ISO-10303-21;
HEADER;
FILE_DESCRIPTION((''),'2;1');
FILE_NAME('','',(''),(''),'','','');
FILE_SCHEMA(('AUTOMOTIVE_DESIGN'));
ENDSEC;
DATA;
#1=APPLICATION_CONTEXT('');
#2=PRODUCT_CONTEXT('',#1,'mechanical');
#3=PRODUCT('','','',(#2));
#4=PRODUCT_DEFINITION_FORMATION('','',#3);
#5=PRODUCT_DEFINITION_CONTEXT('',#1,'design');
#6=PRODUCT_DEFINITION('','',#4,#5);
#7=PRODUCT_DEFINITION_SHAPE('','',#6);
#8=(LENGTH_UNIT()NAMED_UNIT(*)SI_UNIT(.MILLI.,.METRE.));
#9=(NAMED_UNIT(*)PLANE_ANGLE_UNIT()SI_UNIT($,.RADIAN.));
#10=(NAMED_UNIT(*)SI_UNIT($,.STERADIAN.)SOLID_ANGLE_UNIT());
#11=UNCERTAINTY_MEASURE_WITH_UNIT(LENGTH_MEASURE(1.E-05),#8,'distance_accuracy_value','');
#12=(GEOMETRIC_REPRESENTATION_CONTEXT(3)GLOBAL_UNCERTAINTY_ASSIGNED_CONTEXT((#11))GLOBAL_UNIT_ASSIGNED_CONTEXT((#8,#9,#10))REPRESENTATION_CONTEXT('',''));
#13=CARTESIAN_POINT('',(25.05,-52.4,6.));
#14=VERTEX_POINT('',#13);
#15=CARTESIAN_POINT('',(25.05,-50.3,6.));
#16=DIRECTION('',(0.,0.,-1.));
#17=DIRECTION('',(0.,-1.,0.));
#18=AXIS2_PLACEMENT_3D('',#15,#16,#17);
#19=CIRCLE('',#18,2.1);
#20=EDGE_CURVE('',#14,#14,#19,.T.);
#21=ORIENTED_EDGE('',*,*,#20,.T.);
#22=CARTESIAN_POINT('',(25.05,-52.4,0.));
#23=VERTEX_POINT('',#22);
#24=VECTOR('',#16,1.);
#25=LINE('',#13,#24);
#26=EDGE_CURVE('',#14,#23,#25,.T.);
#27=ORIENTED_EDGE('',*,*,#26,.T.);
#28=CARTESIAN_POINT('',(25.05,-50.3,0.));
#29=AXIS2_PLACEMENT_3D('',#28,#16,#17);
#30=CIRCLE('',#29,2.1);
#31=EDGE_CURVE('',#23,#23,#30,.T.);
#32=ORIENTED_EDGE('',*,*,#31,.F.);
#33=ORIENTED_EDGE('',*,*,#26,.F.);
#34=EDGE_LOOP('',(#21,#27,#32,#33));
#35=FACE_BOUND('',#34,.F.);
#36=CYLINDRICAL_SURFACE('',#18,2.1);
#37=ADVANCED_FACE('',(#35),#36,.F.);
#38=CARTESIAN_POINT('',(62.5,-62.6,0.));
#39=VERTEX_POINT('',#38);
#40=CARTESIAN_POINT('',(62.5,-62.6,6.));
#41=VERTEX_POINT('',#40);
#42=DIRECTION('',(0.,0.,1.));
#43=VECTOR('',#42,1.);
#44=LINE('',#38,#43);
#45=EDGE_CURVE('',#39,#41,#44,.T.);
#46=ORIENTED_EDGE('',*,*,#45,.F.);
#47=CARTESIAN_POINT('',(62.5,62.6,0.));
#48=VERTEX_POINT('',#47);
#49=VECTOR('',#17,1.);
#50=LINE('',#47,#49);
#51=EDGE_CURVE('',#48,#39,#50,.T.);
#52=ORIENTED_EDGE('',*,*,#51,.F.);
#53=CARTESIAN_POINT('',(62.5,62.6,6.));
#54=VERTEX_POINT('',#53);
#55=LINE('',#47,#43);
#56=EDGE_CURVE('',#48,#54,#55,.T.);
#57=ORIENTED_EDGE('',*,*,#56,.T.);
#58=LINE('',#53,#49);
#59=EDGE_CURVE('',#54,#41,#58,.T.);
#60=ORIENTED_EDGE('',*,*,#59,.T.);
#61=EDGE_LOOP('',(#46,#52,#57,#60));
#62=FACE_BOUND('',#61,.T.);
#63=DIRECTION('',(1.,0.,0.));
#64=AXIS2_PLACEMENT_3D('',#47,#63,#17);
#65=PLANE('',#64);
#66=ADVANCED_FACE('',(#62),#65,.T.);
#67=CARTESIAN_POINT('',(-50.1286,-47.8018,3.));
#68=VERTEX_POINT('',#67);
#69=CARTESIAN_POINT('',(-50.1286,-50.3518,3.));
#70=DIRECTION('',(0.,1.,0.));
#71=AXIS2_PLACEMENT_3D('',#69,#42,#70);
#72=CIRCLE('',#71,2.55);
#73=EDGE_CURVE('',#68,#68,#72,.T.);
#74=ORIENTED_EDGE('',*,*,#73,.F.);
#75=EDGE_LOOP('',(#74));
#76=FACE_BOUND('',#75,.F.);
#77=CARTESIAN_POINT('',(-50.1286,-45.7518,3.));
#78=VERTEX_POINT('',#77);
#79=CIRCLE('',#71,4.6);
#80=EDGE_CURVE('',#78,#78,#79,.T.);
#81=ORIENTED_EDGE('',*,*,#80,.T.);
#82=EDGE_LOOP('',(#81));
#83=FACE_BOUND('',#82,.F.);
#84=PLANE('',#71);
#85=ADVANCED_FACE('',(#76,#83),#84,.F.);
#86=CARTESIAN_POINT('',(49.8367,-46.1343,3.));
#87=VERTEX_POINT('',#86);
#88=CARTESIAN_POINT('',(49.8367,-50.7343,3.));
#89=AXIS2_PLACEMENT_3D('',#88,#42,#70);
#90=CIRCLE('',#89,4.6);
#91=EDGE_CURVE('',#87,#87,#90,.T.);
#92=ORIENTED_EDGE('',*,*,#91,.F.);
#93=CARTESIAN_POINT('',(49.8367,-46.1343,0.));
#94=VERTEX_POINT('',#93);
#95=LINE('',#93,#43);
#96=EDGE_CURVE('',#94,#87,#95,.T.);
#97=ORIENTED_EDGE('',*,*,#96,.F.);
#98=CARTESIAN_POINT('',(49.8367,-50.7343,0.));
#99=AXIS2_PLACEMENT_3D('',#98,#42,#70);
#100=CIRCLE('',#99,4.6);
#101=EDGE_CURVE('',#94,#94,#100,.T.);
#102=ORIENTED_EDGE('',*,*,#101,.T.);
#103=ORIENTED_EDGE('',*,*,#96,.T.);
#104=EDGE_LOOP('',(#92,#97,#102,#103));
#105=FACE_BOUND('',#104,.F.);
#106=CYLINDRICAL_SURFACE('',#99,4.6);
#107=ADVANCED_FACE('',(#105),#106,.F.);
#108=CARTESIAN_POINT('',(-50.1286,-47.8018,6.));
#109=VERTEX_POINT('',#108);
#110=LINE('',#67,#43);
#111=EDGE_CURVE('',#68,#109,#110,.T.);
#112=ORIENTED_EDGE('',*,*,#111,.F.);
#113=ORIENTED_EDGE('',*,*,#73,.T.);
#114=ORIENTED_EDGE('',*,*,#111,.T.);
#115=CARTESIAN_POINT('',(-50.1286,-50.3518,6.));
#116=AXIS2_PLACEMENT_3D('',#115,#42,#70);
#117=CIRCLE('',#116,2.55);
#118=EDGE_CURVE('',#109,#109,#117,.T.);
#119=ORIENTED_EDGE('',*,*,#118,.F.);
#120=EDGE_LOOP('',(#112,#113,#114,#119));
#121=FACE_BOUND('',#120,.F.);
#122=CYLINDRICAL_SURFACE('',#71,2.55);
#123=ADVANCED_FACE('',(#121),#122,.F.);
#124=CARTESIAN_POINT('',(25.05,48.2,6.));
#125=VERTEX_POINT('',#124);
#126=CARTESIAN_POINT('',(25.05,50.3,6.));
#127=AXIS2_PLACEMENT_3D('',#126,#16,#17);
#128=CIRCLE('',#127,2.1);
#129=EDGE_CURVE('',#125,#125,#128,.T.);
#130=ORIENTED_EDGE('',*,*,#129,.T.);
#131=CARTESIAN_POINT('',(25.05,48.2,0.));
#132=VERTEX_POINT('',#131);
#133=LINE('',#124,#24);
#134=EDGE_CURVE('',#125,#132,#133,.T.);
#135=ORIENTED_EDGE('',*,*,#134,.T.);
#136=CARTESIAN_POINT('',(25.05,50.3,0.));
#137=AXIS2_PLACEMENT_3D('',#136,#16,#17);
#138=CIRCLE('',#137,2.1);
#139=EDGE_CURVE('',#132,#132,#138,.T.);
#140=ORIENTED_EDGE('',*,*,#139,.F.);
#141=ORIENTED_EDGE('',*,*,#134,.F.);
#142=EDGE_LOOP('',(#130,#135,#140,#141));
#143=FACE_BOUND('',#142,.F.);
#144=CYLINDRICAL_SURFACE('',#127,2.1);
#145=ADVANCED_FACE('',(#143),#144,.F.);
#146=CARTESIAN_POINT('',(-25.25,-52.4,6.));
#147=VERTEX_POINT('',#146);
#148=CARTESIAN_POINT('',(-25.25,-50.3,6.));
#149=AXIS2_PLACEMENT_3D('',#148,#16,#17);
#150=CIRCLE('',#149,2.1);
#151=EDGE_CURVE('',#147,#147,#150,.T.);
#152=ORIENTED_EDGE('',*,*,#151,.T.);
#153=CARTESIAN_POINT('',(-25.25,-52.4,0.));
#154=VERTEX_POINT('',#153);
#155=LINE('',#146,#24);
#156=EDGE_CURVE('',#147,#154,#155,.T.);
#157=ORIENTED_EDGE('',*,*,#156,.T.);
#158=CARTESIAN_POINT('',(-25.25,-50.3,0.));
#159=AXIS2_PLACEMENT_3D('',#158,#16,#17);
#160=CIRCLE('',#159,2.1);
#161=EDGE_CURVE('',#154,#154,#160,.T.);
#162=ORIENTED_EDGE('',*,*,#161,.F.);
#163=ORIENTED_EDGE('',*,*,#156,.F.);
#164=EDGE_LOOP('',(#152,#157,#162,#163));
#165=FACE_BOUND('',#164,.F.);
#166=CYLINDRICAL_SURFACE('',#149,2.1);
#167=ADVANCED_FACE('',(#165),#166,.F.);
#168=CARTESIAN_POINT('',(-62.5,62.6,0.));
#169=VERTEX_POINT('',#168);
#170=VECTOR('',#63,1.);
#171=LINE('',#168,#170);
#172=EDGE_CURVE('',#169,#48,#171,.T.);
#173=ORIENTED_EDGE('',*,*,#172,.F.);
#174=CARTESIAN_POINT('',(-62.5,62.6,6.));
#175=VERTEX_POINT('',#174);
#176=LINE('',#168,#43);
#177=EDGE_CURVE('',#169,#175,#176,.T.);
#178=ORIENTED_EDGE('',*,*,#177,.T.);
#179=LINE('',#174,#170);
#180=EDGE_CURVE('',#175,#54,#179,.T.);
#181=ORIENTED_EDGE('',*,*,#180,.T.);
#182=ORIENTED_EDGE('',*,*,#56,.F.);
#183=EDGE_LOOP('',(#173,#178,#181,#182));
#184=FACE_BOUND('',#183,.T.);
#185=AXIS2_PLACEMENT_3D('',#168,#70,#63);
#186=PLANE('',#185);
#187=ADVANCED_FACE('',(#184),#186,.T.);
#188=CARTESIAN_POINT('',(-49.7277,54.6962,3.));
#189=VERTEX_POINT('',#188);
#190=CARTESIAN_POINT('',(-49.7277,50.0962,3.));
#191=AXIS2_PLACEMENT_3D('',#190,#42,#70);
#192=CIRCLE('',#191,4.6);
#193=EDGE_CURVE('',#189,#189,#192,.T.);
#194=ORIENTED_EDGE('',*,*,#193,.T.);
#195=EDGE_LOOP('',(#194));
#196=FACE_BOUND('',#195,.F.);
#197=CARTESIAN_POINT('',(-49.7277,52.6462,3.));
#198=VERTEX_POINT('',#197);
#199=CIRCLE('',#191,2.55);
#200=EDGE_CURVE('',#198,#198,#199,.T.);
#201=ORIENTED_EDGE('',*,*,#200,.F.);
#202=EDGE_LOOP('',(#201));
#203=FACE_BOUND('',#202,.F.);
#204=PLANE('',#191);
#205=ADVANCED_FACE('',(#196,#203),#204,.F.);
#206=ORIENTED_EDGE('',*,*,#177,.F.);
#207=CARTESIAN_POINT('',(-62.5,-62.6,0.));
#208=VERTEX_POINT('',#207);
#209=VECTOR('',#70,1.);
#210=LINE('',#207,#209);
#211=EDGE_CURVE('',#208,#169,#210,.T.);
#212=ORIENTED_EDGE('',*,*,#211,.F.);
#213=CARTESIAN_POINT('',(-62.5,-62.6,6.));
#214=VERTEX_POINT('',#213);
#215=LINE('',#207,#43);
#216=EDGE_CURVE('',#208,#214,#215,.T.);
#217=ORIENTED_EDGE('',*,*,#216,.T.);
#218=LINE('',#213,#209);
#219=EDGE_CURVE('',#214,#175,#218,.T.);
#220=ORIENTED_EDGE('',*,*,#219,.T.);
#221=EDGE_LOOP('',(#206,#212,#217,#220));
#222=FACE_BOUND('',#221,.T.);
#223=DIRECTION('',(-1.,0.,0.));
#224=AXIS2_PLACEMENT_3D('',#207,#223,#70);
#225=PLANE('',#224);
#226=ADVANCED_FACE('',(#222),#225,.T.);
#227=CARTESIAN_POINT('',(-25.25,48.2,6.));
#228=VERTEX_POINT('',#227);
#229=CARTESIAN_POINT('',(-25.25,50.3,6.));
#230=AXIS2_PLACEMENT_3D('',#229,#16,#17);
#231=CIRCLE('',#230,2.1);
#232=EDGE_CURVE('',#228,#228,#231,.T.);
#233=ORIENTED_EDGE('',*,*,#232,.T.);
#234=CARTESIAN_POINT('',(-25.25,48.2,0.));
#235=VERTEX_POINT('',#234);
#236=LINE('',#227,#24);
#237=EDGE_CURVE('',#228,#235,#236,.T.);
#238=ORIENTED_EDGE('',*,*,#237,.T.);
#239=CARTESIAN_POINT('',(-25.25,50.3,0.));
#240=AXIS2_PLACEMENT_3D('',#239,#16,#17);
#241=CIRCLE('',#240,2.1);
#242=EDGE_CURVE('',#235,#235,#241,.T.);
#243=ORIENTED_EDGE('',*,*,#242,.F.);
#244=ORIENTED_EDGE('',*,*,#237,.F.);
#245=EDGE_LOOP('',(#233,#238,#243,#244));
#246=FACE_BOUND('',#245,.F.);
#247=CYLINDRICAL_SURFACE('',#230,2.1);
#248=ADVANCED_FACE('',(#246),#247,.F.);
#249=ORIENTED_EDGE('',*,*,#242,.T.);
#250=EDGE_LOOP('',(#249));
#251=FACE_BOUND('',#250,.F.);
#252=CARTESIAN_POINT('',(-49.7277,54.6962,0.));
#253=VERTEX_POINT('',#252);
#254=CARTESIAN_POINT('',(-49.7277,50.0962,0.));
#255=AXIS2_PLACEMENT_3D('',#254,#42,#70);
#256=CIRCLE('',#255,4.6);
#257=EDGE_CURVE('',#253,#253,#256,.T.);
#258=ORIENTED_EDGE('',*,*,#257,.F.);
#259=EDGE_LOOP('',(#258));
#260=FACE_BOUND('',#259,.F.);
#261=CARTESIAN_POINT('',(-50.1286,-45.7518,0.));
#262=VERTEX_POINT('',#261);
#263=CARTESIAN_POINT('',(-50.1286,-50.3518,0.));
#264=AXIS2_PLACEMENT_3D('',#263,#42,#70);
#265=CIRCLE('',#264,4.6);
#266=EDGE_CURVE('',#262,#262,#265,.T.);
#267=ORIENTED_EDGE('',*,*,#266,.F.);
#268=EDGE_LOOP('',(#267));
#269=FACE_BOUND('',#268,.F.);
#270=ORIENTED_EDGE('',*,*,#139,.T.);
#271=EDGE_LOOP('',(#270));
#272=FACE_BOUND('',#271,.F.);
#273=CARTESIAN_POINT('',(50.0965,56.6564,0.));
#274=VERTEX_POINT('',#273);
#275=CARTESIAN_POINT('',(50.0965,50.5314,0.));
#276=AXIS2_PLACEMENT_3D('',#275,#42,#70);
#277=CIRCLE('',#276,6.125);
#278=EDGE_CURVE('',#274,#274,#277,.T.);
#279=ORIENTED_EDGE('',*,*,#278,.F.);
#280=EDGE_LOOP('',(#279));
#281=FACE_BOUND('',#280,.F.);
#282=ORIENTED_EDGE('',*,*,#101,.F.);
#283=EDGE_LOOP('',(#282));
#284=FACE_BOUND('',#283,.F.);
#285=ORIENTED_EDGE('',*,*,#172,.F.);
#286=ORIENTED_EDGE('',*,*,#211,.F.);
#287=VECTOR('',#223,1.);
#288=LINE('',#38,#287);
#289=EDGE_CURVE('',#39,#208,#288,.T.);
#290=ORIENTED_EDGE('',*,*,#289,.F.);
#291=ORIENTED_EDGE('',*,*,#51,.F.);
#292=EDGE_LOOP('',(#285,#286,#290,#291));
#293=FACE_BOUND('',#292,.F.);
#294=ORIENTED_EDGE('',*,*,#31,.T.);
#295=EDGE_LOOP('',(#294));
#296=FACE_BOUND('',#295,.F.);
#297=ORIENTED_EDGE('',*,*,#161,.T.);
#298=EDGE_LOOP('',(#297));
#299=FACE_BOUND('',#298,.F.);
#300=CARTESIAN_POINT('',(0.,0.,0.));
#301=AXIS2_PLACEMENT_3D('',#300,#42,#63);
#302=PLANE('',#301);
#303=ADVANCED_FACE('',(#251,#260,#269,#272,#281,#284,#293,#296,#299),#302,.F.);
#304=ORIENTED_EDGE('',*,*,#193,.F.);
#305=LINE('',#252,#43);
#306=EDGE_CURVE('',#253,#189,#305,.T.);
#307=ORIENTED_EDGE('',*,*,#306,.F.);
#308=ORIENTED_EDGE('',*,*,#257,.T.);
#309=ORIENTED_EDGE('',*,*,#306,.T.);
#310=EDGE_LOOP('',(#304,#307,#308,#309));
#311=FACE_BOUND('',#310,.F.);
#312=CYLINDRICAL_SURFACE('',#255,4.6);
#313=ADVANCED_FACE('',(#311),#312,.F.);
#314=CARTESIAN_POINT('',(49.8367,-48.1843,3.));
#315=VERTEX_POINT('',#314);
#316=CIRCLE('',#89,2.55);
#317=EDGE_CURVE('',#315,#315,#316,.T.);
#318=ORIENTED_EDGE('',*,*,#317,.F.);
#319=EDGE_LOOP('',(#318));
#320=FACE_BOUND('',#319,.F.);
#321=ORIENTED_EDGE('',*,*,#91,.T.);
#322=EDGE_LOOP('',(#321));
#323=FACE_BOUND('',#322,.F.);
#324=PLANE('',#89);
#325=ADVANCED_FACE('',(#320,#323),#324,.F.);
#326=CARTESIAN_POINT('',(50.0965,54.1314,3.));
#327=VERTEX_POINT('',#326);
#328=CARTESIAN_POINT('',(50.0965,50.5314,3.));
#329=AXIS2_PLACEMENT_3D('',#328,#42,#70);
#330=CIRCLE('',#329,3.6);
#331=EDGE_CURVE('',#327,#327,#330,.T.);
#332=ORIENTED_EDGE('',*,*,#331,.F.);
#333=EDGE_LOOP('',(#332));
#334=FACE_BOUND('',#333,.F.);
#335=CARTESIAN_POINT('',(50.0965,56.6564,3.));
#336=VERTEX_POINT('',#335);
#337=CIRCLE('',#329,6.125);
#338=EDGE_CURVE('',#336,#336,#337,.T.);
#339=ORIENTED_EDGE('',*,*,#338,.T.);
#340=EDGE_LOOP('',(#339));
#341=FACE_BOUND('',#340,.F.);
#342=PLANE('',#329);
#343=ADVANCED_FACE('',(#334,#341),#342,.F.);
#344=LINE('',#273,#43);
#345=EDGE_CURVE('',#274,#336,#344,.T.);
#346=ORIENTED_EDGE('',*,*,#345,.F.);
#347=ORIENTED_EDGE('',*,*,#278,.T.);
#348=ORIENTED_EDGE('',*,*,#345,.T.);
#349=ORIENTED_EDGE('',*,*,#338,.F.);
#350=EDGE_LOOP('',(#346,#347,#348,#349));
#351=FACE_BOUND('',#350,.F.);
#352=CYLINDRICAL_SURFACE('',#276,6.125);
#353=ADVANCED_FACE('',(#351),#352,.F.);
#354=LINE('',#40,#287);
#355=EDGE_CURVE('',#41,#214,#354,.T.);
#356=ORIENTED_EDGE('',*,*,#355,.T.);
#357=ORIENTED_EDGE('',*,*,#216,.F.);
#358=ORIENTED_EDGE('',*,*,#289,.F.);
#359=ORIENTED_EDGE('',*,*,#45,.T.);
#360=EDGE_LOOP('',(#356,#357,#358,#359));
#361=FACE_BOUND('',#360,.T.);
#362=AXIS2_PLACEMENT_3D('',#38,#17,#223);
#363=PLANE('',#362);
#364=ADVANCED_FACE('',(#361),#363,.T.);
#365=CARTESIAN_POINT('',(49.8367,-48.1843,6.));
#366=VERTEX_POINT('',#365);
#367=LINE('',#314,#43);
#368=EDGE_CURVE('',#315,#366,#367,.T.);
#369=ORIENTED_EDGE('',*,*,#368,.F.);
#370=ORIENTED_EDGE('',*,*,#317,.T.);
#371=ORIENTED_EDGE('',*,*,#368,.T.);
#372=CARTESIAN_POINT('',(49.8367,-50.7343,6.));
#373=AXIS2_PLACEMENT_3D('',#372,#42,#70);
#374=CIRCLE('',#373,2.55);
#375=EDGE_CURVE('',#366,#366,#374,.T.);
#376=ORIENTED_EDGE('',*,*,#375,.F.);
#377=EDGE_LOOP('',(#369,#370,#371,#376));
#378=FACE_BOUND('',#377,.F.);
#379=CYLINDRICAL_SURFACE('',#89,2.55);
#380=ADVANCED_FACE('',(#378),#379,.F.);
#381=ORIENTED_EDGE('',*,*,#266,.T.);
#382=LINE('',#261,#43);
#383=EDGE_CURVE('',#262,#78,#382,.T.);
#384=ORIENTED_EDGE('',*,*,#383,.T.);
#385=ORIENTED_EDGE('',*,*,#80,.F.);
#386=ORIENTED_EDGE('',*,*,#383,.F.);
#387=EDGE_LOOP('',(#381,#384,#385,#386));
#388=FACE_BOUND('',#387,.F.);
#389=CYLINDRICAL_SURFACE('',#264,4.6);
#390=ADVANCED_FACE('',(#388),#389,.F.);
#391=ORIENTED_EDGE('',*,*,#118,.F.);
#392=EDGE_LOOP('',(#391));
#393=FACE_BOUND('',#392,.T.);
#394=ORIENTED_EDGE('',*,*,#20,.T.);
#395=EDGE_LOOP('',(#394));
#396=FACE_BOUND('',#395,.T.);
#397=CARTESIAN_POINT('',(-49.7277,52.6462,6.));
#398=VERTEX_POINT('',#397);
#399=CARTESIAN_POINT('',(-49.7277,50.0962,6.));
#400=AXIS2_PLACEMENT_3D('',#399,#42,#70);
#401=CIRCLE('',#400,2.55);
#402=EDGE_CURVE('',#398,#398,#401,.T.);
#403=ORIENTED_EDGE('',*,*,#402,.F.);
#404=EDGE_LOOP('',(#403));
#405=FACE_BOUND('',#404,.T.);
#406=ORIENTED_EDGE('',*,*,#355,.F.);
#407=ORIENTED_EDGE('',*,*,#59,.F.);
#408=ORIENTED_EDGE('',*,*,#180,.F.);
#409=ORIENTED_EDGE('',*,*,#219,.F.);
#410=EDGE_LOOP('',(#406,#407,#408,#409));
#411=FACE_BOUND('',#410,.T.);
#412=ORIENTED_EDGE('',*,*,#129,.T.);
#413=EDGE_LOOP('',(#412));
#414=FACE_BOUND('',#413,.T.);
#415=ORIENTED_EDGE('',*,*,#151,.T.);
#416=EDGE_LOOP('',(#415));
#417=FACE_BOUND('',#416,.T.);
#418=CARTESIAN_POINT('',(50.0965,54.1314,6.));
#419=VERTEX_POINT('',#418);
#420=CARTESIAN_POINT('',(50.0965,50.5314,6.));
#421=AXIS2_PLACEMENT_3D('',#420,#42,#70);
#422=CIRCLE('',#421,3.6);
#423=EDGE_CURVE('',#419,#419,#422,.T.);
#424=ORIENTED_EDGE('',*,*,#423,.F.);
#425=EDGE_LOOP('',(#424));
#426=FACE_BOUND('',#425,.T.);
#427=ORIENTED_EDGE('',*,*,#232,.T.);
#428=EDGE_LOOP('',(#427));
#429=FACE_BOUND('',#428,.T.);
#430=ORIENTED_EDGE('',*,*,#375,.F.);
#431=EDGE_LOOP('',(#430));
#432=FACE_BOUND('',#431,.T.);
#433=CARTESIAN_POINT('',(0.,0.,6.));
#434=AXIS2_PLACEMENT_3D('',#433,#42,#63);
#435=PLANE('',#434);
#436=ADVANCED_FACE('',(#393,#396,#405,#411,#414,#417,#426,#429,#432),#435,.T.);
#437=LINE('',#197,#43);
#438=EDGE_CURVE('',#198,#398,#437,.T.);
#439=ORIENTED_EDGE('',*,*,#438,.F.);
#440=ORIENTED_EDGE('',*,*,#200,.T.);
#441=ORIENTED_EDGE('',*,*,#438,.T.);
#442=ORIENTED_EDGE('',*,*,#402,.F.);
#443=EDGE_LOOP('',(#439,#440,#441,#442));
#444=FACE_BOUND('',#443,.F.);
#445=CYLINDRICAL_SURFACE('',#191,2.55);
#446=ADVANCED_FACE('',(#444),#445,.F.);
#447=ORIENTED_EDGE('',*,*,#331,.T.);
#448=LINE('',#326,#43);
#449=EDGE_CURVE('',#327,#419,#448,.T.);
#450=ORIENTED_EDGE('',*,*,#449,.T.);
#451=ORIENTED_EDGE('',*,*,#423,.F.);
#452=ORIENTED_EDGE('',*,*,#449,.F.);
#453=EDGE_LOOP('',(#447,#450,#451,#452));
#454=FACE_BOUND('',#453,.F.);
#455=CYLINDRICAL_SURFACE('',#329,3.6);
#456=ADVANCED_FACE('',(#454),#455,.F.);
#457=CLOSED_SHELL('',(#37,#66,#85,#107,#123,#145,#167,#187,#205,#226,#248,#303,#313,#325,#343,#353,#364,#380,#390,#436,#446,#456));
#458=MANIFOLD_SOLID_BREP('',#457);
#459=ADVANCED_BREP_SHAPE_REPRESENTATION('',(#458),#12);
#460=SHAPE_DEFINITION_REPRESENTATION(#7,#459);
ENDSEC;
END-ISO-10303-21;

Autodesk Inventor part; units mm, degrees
ref_plane "YZ Plane" through (0, 0, 0) normal (1, 0, 0) x (0, 1, 0)
ref_plane "XZ Plane" through (0, 0, 0) normal (0, 1, 0) x (-1, 0, 0)
ref_plane "XY Plane" through (0, 0, 0) normal (0, 0, 1) x (1, 0, 0)
ref_plane "Work Plane1" through (0, 0, 0) normal (0, 0, 1) x (1, 0, 0)
sketch "Sketch3" plane through (0, 0, 0) normal (0, 0, 1) x (1, 0, 0)
  line L0 (62.5, 62.6) -> (62.5, -62.6) projected
  line L1 (62.5, -62.6) -> (-62.5, -62.6) projected
  line L2 (62.5, 62.6) -> (62.5, -62.6) projected
  line L3 (-62.5, 62.6) -> (62.5, 62.6) projected
  line L4 (-62.5, -62.6) -> (-62.5, 62.6) projected
  line L5 (62.5, -62.6) -> (-62.5, -62.6) projected
  point P0 (0, 0)
  point P1 (50.2, -50.3)
  point P2 (25.05, -50.3)
  point P3 (-0.1, -50.3)
  point P4 (-25.25, -50.3)
  point P5 (-50.4, -50.3)
  point P6 (-50.4, 50.3)
  point P7 (-25.25, 50.3)
  point P8 (-0.1, 50.3)
  point P9 (25.05, 50.3)
  point P10 (50.2, 50.3)
extrude "Extrusion1" add sketch "Sketch3" along normal blind 6
sketch "Sketch4" plane through (0, 0, 0) normal (0, 0, -1) x (-1, 0, 0)
  point P0 (0, 0)
  point P1 (50.5386, 50.0642)
  point P2 (0.1554, 50.4302)
  point P3 (-50.0965, 50.5314)
hole "Hole1" at (50.0965, 50.5314, 0) direction (0, 0, 1) diameter 7.2 end through all counterbore diameter 12.25 counterbore depth 3
sketch "Sketch5" plane through (0, 0, 0) normal (0, 0, -1) x (-1, 0, 0)
  point P0 (0, 0)
  point P1 (-49.8367, -50.7343)
  point P2 (50.1286, -50.3518)
  point P3 (49.7277, 50.0962)
hole "Hole2" at (49.8367, -50.7343, 0) at (-50.1286, -50.3518, 0) at (-49.7277, 50.0962, 0) direction (0, 0, 1) diameter 5.1 end through all counterbore diameter 9.2 counterbore depth 3
sketch "Sketch6" plane through (0, 0, 6) normal (0, 0, 1) x (1, 0, 0)
  point P0 (0, 0)
  point P1 (-25.25, -50.3)
  point P2 (25.05, -50.3)
  point P3 (25.05, 50.3)
  point P4 (-25.25, 50.3)
hole "Hole3" at (-25.25, -50.3, 6) at (25.05, -50.3, 6) at (25.05, 50.3, 6) at (-25.25, 50.3, 6) direction (0, 0, -1) diameter 4.2 end through all
properties part number "X axis carriage small side_3DPrint"
